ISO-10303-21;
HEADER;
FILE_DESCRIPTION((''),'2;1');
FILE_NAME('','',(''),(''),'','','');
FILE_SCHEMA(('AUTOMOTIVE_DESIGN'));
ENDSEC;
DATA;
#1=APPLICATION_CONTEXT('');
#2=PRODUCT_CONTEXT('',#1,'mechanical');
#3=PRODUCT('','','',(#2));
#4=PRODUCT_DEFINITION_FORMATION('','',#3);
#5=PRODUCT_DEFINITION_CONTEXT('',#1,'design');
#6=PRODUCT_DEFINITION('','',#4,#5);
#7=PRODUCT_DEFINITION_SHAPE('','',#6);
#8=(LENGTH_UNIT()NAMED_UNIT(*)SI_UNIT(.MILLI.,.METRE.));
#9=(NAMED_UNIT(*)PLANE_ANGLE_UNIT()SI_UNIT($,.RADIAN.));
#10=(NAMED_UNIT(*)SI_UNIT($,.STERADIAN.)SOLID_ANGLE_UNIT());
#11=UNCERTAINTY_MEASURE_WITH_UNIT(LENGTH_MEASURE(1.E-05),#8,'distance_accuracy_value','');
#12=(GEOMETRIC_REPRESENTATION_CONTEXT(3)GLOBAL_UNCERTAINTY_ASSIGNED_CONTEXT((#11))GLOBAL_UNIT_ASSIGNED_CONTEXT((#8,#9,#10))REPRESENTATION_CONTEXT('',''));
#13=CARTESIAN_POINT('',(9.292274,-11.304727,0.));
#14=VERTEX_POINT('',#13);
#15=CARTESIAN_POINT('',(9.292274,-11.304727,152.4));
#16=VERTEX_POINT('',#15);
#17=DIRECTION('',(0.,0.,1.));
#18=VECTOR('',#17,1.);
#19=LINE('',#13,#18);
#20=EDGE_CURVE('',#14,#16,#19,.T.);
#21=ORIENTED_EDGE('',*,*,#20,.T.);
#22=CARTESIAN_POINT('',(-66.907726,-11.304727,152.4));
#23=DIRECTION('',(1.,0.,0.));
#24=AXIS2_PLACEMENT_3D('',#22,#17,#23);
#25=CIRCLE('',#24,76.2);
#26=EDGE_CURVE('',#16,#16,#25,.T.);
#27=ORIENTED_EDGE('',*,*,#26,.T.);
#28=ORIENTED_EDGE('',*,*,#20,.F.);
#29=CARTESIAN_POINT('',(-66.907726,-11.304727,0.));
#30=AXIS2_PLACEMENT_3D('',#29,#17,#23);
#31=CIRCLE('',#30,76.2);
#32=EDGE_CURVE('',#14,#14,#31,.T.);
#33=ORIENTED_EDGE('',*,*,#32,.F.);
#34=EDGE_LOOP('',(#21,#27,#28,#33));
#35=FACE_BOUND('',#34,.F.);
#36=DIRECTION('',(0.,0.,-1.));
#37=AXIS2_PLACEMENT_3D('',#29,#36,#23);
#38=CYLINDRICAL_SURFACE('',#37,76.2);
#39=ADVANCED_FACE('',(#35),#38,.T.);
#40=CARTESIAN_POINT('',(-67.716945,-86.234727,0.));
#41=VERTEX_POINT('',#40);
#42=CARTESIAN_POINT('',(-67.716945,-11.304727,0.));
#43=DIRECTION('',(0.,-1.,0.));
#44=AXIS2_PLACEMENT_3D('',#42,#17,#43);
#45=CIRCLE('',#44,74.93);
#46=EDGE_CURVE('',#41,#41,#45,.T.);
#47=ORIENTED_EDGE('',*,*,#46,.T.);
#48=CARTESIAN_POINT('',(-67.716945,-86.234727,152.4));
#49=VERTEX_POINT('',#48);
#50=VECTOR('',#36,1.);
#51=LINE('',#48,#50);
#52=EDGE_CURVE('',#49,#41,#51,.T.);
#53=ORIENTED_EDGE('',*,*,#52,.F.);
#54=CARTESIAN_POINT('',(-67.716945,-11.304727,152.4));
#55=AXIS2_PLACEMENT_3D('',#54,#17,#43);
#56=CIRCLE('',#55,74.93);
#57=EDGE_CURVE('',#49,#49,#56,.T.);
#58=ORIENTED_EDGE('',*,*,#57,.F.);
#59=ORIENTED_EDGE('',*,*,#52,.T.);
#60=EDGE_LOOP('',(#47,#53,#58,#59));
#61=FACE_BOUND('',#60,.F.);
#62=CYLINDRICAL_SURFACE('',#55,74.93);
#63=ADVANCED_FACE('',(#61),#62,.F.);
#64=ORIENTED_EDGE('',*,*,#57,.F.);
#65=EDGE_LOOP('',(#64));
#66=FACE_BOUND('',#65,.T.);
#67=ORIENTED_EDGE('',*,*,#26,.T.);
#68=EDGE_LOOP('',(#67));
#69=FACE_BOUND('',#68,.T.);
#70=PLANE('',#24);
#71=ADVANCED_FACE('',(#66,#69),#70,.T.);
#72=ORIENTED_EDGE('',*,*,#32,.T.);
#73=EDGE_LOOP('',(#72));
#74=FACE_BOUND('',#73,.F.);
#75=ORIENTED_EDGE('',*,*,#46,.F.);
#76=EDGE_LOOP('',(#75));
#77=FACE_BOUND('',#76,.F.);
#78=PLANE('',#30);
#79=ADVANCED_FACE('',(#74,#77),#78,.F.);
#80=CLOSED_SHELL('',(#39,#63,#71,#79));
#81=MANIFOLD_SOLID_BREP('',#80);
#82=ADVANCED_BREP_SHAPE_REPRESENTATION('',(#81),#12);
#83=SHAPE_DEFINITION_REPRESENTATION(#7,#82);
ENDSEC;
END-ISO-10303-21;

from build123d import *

# Parameters (mm, degrees)
F0_R     = 76.2
F1_DEPTH = 152.4
F3_DEPTH = 152.4


with BuildPart() as f1:
    # F0 (on Top) → F1 (new body)
    with BuildSketch(Plane.XY):
        with Locations((-66.9077262282, -11.3047268242)):
            Circle(F0_R)
    extrude(amount=F1_DEPTH)

    # F2 (on face) → F3 (cut)
    with BuildSketch(Plane.XY.offset(152.4)):
        with BuildLine():
            ThreePointArc((-67.7169448975, 63.6252731758), (-142.6469448975, -11.3047268242), (-67.7169448975, -86.2347268242))
            Line((-67.7169448975, -86.2347268242), (-67.7169448975, 63.6252731758))
        make_face()
        with BuildLine():
            Line((-67.7169448975, 63.6252731758), (-67.7169448975, -86.2347268242))
            ThreePointArc((-67.7169448975, -86.2347268242), (-14.7334337832, -64.2882379385), (7.2130551025, -11.3047268242))
            ThreePointArc((7.2130551025, -11.3047268242), (-14.7334337832, 41.6787842901), (-67.7169448975, 63.6252731758))
        make_face()
    extrude(amount=-F3_DEPTH, mode=Mode.SUBTRACT)


solid = f1.part
